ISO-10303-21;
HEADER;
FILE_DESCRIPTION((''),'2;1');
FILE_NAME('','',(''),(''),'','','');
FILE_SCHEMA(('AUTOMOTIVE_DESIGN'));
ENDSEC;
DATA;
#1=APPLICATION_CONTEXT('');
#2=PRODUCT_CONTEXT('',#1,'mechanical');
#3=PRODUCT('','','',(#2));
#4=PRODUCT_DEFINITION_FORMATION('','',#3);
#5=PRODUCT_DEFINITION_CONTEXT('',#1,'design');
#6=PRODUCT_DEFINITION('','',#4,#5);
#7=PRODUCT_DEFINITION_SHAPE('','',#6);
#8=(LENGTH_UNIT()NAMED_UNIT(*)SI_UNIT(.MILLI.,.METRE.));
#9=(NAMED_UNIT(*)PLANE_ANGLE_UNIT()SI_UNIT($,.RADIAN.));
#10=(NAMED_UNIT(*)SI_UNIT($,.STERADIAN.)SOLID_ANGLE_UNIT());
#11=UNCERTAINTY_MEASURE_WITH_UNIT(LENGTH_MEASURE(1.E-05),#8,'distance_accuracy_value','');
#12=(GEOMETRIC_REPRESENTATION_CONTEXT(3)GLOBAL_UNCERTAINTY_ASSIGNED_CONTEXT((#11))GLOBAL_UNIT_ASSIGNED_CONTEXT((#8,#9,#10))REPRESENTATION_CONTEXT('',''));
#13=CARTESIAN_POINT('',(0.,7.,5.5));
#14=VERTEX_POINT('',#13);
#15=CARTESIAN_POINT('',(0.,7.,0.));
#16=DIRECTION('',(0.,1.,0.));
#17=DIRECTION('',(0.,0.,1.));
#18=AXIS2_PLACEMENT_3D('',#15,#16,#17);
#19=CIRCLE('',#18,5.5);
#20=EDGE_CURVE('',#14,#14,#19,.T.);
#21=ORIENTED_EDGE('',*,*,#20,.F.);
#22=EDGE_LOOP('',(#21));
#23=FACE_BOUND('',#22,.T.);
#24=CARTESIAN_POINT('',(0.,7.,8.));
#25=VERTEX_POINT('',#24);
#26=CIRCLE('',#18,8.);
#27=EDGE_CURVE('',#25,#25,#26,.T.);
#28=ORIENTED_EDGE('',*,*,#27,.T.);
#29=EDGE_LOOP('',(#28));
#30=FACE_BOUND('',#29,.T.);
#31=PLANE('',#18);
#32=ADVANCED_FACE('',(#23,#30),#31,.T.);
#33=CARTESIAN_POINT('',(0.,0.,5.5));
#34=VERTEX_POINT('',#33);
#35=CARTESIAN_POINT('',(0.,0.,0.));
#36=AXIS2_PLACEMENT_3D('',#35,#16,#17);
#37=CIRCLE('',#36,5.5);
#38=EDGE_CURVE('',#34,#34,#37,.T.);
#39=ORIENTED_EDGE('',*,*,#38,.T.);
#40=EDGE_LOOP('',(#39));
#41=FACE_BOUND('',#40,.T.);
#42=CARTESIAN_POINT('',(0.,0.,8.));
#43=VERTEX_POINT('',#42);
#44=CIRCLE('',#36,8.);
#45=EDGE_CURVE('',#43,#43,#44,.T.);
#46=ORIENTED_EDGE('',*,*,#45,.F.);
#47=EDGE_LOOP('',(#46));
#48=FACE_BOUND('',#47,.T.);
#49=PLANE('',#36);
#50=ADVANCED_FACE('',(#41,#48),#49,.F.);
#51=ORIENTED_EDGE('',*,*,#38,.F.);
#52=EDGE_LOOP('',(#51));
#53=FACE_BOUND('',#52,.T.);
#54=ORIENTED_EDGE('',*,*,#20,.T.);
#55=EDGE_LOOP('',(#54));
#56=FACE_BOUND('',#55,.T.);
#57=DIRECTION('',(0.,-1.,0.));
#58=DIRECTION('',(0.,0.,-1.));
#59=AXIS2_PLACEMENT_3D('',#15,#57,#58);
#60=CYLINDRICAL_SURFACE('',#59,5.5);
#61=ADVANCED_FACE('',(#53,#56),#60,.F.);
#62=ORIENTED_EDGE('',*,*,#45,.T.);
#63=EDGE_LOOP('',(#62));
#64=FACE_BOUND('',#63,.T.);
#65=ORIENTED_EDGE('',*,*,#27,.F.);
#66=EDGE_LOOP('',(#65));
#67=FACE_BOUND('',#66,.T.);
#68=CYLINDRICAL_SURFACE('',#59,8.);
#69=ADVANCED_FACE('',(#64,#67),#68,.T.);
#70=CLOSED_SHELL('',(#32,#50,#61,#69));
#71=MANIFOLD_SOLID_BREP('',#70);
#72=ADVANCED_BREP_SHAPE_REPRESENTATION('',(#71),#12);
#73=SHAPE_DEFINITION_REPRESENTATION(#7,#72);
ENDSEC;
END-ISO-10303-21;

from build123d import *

# Parameters (mm, degrees)
SKETCH1_R           = 8
SKETCH1_R_2         = 5.5
BOSS_EXTRUDE1_DEPTH = 7


with BuildPart() as part:
    # Sketch1 → Boss-Extrude1 (new body)
    with BuildSketch(Plane(origin=(0, 0, 0), x_dir=(1, 0, 0), z_dir=(0, 1, 0))):
        with Locations(Location((0, 0, 0), (0, 0, 270))):
            Circle(SKETCH1_R)
        with Locations(Location((0, 0, 0), (0, 0, 270))):
            Circle(SKETCH1_R_2, mode=Mode.SUBTRACT)
    extrude(amount=BOSS_EXTRUDE1_DEPTH)


solid = part.part
